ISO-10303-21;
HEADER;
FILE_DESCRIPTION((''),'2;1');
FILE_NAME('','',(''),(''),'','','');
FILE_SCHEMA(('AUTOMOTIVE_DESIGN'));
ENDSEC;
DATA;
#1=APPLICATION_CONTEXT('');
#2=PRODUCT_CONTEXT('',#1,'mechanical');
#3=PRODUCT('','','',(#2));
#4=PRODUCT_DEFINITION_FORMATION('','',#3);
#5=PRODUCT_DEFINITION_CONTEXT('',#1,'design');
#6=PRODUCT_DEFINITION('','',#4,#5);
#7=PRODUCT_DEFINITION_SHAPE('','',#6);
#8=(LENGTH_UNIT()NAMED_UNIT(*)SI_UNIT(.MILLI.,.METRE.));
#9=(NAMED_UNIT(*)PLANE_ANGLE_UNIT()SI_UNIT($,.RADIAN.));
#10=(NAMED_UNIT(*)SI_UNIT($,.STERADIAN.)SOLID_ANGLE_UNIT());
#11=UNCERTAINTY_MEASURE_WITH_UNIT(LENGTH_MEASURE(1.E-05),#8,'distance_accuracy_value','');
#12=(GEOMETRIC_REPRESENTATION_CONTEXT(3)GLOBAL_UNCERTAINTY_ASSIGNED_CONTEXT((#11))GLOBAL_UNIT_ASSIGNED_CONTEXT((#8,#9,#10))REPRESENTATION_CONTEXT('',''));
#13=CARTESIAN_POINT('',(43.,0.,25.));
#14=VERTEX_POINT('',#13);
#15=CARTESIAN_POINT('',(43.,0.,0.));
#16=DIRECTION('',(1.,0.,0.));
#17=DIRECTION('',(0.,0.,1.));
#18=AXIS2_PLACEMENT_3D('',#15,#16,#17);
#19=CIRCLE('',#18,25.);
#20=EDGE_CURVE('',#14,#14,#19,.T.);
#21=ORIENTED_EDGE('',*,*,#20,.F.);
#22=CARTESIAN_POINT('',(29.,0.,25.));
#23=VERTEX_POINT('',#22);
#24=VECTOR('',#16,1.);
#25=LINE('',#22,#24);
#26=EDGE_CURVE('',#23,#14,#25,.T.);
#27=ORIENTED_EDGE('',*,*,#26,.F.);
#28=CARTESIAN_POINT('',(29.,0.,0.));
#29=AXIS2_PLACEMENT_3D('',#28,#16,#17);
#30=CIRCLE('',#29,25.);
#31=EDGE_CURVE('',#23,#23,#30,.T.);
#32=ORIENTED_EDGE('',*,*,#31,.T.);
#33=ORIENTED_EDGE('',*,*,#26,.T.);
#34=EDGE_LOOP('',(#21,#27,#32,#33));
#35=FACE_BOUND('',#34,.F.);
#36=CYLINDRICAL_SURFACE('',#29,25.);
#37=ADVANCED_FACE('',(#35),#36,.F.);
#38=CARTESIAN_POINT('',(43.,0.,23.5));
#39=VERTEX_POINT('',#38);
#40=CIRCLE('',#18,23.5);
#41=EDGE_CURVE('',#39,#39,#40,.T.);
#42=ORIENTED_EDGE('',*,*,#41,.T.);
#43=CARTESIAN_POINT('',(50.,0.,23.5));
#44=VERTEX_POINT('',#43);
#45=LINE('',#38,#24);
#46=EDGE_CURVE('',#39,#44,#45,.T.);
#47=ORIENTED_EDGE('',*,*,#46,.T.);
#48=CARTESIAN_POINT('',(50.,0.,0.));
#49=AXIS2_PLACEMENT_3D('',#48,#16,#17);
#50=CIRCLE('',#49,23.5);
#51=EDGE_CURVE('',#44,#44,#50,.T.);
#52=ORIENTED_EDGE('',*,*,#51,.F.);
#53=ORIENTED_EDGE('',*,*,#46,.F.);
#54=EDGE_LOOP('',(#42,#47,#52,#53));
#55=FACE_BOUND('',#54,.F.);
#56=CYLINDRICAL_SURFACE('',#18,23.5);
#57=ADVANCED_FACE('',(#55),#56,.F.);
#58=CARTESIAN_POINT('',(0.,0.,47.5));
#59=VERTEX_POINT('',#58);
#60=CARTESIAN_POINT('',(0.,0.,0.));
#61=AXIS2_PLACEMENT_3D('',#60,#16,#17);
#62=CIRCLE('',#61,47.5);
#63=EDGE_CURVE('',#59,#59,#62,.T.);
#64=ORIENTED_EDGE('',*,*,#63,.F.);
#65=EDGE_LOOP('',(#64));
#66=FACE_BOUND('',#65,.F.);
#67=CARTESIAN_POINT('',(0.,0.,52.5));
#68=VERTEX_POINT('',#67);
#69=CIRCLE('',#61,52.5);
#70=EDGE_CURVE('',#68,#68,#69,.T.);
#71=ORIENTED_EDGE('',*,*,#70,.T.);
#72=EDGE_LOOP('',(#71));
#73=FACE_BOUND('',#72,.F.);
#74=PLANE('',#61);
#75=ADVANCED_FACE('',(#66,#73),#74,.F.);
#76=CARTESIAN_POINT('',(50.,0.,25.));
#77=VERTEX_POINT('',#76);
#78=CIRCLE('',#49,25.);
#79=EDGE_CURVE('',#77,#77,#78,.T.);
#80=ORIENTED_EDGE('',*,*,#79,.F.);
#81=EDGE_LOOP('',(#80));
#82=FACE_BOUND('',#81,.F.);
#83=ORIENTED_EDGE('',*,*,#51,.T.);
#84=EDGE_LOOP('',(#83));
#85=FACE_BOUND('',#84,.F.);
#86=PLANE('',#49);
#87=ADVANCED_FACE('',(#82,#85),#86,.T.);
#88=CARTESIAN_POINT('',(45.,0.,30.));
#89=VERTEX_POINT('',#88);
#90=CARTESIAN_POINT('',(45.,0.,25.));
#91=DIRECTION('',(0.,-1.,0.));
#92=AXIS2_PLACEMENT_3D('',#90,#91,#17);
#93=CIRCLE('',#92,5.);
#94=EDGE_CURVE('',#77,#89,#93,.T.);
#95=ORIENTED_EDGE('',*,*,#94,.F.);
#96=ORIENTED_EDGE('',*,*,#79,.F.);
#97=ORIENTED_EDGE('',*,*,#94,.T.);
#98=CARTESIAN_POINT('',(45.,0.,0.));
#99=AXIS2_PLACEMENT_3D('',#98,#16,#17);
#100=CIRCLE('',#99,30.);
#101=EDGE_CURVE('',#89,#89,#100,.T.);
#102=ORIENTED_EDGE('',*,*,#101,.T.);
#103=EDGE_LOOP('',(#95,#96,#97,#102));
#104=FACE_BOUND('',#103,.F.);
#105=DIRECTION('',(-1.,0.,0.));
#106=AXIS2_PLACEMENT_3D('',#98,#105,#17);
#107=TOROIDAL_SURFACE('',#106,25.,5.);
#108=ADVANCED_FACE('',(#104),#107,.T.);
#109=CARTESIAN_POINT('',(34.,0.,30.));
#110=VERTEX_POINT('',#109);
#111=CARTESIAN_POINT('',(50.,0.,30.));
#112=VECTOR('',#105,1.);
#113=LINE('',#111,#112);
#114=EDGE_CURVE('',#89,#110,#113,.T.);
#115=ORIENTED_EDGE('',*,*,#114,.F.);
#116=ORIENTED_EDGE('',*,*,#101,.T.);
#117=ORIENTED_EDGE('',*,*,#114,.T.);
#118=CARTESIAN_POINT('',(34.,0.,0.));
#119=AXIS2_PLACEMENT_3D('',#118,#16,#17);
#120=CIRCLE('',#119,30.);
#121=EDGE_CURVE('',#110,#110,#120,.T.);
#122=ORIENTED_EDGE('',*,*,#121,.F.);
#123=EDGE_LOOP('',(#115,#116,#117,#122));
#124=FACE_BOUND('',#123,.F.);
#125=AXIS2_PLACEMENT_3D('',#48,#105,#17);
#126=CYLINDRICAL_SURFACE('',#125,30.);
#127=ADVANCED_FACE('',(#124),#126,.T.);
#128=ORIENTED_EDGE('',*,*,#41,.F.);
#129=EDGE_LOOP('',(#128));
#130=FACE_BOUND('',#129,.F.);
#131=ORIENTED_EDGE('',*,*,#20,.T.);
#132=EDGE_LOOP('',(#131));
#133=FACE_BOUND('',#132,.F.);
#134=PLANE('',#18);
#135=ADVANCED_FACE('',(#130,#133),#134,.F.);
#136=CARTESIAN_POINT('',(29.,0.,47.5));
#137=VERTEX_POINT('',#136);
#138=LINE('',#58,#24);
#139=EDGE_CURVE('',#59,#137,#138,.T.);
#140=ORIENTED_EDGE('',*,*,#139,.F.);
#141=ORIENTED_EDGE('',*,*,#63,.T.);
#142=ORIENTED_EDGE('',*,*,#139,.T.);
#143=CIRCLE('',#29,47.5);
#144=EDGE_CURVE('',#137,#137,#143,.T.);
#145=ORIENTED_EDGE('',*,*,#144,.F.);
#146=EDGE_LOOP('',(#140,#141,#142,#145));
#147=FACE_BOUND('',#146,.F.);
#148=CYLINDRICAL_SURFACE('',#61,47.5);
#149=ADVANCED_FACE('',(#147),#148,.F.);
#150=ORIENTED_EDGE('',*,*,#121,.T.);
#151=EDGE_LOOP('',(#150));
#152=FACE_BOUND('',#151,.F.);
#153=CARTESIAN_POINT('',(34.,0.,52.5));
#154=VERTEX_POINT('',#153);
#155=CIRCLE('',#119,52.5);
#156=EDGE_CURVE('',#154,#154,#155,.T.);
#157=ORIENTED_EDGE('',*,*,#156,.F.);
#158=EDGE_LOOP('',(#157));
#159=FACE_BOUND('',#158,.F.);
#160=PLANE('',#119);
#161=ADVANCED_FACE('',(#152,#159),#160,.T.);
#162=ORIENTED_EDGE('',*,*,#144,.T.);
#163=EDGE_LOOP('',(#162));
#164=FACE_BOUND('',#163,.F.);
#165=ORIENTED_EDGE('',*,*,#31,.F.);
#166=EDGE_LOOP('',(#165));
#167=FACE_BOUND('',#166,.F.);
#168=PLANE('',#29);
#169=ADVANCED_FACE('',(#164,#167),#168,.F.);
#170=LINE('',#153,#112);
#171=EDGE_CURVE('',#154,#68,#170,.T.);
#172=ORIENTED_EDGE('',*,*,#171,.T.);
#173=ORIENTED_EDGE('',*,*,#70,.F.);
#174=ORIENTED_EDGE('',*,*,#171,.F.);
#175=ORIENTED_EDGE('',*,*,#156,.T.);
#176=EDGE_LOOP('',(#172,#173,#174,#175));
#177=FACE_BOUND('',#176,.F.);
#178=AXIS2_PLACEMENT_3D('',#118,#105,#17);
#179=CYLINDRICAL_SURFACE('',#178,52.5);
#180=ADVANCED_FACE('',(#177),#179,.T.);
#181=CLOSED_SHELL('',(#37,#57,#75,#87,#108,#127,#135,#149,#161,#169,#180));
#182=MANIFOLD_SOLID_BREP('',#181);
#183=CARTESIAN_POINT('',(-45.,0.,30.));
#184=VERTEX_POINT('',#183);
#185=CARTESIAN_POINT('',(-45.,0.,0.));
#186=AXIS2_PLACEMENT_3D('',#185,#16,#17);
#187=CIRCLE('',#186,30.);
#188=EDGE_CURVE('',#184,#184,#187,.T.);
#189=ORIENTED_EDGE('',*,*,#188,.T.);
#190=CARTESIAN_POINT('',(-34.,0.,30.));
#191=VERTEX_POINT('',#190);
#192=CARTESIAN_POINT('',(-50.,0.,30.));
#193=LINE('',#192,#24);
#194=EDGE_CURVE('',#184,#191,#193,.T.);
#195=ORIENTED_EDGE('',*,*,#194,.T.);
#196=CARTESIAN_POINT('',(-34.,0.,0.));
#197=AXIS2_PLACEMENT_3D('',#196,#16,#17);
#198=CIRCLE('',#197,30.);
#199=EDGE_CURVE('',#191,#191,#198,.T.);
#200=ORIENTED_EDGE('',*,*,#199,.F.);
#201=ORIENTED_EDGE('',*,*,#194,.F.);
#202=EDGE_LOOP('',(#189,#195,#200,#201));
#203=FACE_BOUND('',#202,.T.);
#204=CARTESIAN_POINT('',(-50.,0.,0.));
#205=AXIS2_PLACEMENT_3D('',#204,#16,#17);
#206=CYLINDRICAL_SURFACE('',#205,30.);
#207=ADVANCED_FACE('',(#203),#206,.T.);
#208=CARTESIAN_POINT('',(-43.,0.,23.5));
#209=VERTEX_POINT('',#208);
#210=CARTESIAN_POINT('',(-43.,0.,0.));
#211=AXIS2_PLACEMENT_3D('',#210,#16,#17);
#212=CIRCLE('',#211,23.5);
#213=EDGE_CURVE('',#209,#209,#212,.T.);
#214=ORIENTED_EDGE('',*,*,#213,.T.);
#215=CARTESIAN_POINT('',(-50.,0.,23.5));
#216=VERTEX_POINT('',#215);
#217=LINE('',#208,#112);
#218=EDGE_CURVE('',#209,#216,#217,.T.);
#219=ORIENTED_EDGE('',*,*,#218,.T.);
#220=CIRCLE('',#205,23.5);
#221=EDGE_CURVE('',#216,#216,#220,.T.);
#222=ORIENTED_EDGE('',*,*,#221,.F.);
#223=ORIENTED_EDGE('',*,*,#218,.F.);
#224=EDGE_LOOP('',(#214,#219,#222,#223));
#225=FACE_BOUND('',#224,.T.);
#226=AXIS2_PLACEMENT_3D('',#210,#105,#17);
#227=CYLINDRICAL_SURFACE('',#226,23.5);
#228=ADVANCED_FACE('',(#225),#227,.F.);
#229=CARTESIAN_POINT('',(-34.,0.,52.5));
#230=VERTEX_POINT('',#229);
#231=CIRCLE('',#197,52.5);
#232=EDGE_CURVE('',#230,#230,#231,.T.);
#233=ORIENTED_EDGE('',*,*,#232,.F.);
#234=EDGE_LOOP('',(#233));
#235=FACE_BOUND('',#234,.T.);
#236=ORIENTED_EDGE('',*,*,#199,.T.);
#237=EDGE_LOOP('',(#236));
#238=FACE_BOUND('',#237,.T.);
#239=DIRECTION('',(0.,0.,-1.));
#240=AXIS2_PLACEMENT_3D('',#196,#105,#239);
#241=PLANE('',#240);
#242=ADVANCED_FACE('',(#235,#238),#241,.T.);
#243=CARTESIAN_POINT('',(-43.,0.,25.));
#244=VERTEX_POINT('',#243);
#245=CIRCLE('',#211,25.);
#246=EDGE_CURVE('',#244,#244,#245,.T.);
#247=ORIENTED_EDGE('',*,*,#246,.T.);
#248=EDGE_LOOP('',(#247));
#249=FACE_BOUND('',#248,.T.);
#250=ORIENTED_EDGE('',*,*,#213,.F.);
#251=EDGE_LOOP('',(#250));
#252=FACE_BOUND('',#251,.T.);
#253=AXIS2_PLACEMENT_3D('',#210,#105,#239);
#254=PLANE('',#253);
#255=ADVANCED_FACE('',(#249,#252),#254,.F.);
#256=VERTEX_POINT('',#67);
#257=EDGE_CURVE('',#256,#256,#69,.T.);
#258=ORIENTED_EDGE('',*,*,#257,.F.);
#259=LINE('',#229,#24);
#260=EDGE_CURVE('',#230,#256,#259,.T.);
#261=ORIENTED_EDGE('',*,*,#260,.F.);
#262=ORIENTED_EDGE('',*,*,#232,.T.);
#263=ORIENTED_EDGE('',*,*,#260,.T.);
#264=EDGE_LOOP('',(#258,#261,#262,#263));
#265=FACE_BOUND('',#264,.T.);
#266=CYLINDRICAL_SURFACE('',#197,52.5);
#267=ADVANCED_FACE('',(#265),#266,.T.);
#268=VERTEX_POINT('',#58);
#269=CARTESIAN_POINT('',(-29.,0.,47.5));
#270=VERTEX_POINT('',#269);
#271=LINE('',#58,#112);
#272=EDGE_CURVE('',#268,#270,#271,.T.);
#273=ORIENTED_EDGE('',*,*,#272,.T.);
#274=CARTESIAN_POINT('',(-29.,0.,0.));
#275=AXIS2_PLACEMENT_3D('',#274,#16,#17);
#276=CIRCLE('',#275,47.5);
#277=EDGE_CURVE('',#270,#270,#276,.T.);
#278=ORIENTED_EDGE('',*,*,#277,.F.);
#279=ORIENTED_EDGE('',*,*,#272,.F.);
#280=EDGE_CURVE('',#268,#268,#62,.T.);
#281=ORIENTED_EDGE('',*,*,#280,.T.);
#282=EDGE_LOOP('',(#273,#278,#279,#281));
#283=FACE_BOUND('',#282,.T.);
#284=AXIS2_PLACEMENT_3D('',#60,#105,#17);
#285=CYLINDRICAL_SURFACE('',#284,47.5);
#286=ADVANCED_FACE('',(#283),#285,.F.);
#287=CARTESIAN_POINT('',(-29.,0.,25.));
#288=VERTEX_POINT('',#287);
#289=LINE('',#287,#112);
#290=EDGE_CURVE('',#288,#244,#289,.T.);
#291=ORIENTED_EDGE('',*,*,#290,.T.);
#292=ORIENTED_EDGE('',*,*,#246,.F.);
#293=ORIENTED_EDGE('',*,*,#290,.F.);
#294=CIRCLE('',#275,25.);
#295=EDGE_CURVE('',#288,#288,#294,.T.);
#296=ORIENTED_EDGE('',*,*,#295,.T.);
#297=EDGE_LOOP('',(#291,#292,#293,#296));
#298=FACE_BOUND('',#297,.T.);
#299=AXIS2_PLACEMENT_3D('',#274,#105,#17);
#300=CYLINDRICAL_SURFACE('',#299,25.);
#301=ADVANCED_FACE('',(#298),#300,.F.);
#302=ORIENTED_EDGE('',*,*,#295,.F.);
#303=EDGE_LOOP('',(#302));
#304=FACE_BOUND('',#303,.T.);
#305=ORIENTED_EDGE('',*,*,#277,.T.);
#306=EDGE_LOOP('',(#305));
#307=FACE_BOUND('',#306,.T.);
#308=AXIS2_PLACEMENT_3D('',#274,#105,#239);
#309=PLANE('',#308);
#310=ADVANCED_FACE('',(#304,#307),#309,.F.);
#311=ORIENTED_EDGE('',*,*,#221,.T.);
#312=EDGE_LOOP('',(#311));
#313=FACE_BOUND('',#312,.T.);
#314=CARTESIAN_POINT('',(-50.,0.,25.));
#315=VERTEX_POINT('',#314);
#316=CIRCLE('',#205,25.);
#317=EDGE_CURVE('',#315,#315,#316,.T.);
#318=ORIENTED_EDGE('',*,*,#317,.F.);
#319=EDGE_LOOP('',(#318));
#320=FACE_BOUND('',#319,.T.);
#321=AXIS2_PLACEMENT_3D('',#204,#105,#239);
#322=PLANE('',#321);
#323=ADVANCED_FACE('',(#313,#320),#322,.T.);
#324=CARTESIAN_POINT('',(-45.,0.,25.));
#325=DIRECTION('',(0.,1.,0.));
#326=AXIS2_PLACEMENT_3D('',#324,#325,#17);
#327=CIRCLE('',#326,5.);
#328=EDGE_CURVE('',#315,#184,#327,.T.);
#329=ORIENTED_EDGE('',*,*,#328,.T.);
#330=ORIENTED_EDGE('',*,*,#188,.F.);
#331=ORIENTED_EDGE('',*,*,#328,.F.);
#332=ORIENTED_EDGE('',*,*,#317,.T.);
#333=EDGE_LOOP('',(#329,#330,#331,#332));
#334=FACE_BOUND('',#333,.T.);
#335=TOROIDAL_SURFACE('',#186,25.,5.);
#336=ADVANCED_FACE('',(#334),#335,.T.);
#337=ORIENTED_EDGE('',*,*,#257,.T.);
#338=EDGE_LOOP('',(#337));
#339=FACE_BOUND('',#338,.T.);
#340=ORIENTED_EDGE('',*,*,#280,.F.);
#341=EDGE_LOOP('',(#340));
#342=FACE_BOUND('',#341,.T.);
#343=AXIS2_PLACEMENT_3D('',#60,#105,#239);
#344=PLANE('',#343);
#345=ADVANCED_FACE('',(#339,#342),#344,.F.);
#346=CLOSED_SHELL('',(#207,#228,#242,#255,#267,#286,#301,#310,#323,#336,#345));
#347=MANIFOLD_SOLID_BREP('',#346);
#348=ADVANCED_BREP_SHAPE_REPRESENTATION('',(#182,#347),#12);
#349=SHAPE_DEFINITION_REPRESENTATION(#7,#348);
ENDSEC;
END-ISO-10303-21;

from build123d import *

# Parameters (mm, degrees)
F2_R = 5


with BuildPart() as f1:
    # F0 (on Front) → F1 (revolve)
    with BuildSketch(Plane.XZ):
        Polygon((0, 52.5), (0, 47.5), (29, 47.5), (29, 25), (43, 25), (43, 23.5), (50, 23.5), (50, 30), (34, 30), (34, 52.5), align=None)
    revolve(axis=Axis((0.55163, 0, 0), (1, 0, 0)))

    # F2
    f2_edges = [f1.edges().sort_by_distance(p)[0] for p in [
        (50, 0, -30),
    ]]
    fillet(f2_edges, radius=F2_R)


with BuildPart() as f3_1:
    # F3: instance of F1
    add(f1.part.mirror(Plane.YZ))


solid = Compound([f1.part, f3_1.part])
